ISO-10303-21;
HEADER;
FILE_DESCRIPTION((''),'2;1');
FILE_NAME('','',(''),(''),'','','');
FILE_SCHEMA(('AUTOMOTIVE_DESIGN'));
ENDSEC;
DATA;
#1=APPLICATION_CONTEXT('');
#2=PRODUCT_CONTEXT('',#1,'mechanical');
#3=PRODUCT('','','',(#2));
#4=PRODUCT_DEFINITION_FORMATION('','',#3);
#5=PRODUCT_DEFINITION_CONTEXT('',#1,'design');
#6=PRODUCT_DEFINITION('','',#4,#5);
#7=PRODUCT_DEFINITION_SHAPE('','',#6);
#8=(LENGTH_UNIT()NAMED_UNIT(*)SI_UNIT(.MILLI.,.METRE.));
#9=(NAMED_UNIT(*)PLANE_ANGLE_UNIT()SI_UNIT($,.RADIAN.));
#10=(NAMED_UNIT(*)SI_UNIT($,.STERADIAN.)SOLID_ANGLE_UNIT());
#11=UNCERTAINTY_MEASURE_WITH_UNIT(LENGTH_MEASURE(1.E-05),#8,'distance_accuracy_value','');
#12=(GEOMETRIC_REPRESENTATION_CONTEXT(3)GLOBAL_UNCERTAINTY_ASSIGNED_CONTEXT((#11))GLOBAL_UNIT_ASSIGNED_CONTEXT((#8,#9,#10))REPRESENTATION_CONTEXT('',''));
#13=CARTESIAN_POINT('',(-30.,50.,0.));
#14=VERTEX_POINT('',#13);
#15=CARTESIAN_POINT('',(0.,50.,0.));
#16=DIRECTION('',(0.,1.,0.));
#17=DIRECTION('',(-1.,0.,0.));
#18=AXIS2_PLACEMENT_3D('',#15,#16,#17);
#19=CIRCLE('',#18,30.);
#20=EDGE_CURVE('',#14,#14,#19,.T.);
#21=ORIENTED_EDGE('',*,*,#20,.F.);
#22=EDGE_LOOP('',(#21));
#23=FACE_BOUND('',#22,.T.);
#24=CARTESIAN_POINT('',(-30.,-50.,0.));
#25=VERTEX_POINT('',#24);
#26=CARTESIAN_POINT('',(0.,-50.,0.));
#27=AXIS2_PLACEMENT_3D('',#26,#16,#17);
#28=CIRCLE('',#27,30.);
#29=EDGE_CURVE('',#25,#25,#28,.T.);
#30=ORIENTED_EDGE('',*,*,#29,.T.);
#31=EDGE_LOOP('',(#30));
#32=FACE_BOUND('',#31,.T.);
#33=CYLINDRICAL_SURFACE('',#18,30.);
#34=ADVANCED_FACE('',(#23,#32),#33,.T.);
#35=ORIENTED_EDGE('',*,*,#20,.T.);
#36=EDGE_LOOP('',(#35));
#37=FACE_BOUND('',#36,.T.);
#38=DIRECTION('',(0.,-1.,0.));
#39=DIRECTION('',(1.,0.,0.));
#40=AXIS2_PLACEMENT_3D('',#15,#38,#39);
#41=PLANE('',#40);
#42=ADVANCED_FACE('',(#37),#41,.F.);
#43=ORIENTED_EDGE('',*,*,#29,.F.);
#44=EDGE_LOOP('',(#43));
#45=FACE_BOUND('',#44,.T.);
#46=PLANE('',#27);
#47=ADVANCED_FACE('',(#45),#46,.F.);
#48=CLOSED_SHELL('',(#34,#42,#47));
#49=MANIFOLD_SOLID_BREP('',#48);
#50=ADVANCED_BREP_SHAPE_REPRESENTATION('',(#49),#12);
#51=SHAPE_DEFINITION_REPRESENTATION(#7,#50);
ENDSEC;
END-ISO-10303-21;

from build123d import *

# Parameters (mm, degrees)
ESQUISSE1_W = 30
ESQUISSE1_H = 100


with BuildPart() as part:
    # Esquisse1 → Révolution1 (revolve)
    with BuildSketch(Plane.XY, mode=Mode.PRIVATE) as r_volution1_sk:
        with Locations((15, 0)):
            Rectangle(ESQUISSE1_W, ESQUISSE1_H)
    revolve(r_volution1_sk.sketch.rotate(Axis((0, 50, 0), (0, -1, 0)), 180), axis=Axis((0, 50, 0), (0, -1, 0)))  # turned: the seam where the file's is


solid = part.part
